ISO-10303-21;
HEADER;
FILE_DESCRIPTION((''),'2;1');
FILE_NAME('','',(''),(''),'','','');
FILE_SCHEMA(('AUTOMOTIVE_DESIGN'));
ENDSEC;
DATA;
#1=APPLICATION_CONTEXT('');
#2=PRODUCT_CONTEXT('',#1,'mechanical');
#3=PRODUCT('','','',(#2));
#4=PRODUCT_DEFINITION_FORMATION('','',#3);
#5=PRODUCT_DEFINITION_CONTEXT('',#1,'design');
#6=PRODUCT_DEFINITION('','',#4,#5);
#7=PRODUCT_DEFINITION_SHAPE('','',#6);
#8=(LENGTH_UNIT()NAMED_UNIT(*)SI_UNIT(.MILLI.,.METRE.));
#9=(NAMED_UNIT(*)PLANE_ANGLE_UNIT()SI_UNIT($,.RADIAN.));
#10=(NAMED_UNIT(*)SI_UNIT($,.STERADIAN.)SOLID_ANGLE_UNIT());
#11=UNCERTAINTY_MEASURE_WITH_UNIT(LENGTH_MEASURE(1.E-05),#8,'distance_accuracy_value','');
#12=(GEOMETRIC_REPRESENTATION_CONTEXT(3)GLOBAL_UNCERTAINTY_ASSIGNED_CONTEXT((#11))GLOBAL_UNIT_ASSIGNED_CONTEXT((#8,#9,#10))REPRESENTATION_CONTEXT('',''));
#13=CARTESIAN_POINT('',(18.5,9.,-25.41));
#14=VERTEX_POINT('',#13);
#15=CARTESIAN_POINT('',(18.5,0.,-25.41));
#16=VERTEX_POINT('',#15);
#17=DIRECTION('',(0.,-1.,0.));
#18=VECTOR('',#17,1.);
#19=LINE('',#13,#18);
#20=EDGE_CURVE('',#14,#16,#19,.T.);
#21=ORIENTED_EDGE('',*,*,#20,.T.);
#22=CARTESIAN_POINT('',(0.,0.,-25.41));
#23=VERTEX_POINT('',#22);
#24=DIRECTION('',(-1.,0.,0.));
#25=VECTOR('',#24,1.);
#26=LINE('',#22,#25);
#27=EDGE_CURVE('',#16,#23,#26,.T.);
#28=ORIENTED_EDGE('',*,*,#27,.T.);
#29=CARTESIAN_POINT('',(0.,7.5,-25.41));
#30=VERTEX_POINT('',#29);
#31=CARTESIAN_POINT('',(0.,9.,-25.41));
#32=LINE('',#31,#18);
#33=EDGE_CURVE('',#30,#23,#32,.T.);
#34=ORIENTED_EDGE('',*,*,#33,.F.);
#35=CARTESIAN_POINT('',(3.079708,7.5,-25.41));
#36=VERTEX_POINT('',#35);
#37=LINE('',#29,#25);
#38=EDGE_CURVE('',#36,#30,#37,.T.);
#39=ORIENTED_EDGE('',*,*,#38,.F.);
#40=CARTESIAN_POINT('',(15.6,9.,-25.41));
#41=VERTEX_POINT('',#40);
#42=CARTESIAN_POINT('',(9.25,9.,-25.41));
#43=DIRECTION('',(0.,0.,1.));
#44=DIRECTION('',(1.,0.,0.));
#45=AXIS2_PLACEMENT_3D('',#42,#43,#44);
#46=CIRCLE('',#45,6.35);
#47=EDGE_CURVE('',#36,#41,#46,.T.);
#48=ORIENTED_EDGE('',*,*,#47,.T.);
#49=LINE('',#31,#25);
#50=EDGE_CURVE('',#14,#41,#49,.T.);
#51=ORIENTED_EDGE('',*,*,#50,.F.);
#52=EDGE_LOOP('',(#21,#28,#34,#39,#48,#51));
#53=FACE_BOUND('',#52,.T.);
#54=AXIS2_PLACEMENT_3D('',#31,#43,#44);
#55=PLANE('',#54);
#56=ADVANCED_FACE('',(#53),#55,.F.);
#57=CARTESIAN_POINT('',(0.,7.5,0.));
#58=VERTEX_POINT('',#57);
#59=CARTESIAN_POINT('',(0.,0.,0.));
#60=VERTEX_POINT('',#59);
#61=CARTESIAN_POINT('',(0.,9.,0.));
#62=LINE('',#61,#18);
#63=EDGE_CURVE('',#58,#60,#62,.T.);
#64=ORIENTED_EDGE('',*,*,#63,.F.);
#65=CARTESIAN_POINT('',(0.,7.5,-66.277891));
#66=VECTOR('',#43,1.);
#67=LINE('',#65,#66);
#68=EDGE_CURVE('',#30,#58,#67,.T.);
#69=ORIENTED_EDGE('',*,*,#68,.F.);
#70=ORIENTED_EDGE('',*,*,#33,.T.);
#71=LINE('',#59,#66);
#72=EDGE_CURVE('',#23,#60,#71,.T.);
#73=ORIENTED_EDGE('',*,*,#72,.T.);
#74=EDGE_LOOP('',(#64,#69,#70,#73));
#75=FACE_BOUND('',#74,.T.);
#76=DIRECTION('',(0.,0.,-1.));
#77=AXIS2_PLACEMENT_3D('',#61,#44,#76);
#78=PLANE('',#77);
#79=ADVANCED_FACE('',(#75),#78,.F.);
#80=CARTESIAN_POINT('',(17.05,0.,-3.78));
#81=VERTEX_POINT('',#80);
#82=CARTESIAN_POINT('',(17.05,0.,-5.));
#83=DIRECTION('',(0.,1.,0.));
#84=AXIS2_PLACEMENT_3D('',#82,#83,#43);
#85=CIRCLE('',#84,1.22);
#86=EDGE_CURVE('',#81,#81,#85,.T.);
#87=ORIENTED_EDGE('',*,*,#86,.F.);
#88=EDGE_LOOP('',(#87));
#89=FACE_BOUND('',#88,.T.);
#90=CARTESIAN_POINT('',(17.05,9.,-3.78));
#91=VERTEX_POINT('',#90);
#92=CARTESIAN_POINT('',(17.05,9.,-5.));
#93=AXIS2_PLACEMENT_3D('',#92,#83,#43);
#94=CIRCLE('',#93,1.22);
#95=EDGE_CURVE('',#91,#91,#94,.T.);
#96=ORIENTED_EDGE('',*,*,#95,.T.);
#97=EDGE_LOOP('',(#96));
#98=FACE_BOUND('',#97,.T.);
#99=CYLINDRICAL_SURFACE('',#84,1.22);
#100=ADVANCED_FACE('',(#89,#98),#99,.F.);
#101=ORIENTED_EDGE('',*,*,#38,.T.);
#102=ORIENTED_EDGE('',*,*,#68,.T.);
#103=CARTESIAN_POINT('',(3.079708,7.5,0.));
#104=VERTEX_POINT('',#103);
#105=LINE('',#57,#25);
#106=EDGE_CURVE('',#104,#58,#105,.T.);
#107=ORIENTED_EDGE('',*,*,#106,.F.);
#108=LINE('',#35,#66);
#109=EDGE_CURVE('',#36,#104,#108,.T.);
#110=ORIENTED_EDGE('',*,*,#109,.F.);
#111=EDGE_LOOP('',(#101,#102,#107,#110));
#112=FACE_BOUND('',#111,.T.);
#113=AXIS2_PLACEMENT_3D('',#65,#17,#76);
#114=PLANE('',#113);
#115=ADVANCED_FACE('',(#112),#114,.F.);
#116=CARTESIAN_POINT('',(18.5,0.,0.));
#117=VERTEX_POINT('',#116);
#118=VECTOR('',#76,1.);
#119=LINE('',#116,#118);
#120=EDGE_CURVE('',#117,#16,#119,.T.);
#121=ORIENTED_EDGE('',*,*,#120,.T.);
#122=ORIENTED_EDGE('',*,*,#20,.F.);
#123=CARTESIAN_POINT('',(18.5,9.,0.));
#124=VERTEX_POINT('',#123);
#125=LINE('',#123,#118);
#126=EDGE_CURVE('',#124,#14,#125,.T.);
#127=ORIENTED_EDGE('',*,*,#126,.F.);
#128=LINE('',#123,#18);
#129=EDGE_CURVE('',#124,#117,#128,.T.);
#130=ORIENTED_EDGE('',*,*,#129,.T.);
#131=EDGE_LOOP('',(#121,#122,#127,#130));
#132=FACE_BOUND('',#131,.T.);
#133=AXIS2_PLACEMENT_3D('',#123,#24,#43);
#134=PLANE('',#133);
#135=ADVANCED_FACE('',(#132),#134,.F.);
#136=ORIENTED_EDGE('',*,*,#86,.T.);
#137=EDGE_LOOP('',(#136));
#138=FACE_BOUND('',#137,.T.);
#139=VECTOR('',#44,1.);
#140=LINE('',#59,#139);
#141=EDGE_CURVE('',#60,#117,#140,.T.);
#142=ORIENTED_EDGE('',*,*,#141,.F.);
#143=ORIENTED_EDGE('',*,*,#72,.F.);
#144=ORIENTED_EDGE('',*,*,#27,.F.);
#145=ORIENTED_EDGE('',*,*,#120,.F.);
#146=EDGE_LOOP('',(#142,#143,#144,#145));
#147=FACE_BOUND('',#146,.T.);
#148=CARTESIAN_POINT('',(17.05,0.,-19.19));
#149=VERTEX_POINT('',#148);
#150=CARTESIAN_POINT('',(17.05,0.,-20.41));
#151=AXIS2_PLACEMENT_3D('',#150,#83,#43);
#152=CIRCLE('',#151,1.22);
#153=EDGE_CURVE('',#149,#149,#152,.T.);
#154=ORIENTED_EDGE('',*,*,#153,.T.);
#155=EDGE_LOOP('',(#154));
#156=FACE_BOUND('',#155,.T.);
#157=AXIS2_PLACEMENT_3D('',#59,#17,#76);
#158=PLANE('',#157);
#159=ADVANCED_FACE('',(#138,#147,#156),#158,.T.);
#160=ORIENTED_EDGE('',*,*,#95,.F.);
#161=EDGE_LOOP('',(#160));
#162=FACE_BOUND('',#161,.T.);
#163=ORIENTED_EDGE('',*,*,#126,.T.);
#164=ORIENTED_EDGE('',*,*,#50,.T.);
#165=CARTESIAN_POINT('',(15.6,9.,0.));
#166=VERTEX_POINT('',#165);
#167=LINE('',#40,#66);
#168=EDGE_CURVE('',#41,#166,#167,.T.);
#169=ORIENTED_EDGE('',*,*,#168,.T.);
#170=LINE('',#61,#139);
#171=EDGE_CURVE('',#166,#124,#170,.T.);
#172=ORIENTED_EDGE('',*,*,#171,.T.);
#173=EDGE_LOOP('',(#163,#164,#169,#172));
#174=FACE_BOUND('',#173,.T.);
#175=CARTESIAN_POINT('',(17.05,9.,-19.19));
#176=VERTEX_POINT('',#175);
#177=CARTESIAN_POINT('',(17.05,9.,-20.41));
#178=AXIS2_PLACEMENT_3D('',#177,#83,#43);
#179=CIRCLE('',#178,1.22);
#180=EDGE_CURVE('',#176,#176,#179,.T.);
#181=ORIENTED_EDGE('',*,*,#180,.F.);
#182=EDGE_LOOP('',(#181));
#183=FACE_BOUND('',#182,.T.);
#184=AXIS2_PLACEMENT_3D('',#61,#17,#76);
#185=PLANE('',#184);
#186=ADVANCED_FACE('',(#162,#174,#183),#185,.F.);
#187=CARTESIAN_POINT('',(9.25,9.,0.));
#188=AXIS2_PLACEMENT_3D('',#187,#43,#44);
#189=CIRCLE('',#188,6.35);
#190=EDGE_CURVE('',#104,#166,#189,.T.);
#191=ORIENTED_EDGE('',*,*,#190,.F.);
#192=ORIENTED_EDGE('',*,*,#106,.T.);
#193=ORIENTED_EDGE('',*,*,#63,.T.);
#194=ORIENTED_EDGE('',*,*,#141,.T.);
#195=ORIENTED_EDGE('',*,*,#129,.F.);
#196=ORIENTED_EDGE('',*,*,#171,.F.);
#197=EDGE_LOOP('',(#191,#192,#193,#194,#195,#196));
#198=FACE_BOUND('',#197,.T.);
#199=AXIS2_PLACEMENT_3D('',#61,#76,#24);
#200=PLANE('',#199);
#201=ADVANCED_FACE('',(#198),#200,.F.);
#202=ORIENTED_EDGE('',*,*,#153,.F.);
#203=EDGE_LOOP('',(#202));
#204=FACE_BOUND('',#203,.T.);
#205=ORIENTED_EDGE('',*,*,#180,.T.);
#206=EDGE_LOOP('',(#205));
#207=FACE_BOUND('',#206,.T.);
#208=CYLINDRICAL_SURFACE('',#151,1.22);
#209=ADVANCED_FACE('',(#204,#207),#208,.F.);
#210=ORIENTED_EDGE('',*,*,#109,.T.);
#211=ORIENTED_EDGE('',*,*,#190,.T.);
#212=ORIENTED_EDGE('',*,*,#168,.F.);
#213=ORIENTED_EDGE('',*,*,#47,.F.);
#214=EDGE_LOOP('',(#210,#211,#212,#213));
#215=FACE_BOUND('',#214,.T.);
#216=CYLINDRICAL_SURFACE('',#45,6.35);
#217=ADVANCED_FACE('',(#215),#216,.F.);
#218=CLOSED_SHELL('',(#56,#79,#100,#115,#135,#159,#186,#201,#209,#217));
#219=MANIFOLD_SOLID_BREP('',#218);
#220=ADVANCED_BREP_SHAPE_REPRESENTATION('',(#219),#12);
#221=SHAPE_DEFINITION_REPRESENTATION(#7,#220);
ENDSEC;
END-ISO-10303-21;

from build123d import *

# Parameters (mm, degrees)
SKETCH2_W               = 18.5
SKETCH2_H               = 25.41
BOSS_EXTRUDE1_DEPTH     = 9
CUT_EXTRUDE1_DEPTH      = 25.41
CUT_EXTRUDE3_DEPTH      = 33.694312961
CUT_EXTRUDE3_DEPTH_BACK = 25.41
SKETCH10_R              = 1.22
CUT_EXTRUDE4_DEPTH      = 33.694312961


with BuildPart() as part:
    # Sketch2 → Boss-Extrude1 (new body)
    with BuildSketch(Plane(origin=(0, 0, 0), x_dir=(1, 0, 0), z_dir=(0, 1, 0))):
        with Locations((9.25, 12.705)):
            Rectangle(SKETCH2_W, SKETCH2_H)
    extrude(amount=BOSS_EXTRUDE1_DEPTH)

    # Sketch6 → Cut-Extrude1 (cut)
    with BuildSketch(Plane.XY):
        with BuildLine():
            Line((2.9, 9), (15.6, 9))
            ThreePointArc((15.6, 9), (9.25, 2.65), (2.9, 9))
        make_face()
    extrude(amount=-CUT_EXTRUDE1_DEPTH, mode=Mode.SUBTRACT)

    # Sketch14 → Cut-Extrude3 (cut, two sides: drawn at the far end of the back side and taken through both)
    with BuildSketch(Plane(origin=(0, 0, -25.41), x_dir=(-1, 0, 0), z_dir=(0, 0, -1)).offset(-CUT_EXTRUDE3_DEPTH_BACK)):
        Polygon((0, 60.146081223), (0, 9), (0, 7.5), (-3.246658661, 7.5), (-2.9, 9), (8.616604878, 58.832614185), (24.031387378, 159.956651774), (15.4147825, 161.270118812), align=None)
    extrude(amount=CUT_EXTRUDE3_DEPTH + CUT_EXTRUDE3_DEPTH_BACK, mode=Mode.SUBTRACT)


with BuildPart() as cut_extrude3_kept_piece:
    # of the separate pieces the step leaves, the one the design keeps (cut_extrude3_pieces_kept)
    add(part.part.solids().sort_by_distance((0, 0, 0))[0])

    # Sketch10 → Cut-Extrude4 (cut, through all)
    with BuildSketch(Plane(origin=(0, 9, 0), x_dir=(1, 0, 0), z_dir=(0, 1, 0))):
        with Locations(Location((17.05, 20.41, 0), (0, 0, 270))):
            Circle(SKETCH10_R)
        with Locations(Location((17.05, 5, 0), (0, 0, 270))):
            Circle(SKETCH10_R)
    extrude(amount=-CUT_EXTRUDE4_DEPTH, mode=Mode.SUBTRACT)


solid = cut_extrude3_kept_piece.part
